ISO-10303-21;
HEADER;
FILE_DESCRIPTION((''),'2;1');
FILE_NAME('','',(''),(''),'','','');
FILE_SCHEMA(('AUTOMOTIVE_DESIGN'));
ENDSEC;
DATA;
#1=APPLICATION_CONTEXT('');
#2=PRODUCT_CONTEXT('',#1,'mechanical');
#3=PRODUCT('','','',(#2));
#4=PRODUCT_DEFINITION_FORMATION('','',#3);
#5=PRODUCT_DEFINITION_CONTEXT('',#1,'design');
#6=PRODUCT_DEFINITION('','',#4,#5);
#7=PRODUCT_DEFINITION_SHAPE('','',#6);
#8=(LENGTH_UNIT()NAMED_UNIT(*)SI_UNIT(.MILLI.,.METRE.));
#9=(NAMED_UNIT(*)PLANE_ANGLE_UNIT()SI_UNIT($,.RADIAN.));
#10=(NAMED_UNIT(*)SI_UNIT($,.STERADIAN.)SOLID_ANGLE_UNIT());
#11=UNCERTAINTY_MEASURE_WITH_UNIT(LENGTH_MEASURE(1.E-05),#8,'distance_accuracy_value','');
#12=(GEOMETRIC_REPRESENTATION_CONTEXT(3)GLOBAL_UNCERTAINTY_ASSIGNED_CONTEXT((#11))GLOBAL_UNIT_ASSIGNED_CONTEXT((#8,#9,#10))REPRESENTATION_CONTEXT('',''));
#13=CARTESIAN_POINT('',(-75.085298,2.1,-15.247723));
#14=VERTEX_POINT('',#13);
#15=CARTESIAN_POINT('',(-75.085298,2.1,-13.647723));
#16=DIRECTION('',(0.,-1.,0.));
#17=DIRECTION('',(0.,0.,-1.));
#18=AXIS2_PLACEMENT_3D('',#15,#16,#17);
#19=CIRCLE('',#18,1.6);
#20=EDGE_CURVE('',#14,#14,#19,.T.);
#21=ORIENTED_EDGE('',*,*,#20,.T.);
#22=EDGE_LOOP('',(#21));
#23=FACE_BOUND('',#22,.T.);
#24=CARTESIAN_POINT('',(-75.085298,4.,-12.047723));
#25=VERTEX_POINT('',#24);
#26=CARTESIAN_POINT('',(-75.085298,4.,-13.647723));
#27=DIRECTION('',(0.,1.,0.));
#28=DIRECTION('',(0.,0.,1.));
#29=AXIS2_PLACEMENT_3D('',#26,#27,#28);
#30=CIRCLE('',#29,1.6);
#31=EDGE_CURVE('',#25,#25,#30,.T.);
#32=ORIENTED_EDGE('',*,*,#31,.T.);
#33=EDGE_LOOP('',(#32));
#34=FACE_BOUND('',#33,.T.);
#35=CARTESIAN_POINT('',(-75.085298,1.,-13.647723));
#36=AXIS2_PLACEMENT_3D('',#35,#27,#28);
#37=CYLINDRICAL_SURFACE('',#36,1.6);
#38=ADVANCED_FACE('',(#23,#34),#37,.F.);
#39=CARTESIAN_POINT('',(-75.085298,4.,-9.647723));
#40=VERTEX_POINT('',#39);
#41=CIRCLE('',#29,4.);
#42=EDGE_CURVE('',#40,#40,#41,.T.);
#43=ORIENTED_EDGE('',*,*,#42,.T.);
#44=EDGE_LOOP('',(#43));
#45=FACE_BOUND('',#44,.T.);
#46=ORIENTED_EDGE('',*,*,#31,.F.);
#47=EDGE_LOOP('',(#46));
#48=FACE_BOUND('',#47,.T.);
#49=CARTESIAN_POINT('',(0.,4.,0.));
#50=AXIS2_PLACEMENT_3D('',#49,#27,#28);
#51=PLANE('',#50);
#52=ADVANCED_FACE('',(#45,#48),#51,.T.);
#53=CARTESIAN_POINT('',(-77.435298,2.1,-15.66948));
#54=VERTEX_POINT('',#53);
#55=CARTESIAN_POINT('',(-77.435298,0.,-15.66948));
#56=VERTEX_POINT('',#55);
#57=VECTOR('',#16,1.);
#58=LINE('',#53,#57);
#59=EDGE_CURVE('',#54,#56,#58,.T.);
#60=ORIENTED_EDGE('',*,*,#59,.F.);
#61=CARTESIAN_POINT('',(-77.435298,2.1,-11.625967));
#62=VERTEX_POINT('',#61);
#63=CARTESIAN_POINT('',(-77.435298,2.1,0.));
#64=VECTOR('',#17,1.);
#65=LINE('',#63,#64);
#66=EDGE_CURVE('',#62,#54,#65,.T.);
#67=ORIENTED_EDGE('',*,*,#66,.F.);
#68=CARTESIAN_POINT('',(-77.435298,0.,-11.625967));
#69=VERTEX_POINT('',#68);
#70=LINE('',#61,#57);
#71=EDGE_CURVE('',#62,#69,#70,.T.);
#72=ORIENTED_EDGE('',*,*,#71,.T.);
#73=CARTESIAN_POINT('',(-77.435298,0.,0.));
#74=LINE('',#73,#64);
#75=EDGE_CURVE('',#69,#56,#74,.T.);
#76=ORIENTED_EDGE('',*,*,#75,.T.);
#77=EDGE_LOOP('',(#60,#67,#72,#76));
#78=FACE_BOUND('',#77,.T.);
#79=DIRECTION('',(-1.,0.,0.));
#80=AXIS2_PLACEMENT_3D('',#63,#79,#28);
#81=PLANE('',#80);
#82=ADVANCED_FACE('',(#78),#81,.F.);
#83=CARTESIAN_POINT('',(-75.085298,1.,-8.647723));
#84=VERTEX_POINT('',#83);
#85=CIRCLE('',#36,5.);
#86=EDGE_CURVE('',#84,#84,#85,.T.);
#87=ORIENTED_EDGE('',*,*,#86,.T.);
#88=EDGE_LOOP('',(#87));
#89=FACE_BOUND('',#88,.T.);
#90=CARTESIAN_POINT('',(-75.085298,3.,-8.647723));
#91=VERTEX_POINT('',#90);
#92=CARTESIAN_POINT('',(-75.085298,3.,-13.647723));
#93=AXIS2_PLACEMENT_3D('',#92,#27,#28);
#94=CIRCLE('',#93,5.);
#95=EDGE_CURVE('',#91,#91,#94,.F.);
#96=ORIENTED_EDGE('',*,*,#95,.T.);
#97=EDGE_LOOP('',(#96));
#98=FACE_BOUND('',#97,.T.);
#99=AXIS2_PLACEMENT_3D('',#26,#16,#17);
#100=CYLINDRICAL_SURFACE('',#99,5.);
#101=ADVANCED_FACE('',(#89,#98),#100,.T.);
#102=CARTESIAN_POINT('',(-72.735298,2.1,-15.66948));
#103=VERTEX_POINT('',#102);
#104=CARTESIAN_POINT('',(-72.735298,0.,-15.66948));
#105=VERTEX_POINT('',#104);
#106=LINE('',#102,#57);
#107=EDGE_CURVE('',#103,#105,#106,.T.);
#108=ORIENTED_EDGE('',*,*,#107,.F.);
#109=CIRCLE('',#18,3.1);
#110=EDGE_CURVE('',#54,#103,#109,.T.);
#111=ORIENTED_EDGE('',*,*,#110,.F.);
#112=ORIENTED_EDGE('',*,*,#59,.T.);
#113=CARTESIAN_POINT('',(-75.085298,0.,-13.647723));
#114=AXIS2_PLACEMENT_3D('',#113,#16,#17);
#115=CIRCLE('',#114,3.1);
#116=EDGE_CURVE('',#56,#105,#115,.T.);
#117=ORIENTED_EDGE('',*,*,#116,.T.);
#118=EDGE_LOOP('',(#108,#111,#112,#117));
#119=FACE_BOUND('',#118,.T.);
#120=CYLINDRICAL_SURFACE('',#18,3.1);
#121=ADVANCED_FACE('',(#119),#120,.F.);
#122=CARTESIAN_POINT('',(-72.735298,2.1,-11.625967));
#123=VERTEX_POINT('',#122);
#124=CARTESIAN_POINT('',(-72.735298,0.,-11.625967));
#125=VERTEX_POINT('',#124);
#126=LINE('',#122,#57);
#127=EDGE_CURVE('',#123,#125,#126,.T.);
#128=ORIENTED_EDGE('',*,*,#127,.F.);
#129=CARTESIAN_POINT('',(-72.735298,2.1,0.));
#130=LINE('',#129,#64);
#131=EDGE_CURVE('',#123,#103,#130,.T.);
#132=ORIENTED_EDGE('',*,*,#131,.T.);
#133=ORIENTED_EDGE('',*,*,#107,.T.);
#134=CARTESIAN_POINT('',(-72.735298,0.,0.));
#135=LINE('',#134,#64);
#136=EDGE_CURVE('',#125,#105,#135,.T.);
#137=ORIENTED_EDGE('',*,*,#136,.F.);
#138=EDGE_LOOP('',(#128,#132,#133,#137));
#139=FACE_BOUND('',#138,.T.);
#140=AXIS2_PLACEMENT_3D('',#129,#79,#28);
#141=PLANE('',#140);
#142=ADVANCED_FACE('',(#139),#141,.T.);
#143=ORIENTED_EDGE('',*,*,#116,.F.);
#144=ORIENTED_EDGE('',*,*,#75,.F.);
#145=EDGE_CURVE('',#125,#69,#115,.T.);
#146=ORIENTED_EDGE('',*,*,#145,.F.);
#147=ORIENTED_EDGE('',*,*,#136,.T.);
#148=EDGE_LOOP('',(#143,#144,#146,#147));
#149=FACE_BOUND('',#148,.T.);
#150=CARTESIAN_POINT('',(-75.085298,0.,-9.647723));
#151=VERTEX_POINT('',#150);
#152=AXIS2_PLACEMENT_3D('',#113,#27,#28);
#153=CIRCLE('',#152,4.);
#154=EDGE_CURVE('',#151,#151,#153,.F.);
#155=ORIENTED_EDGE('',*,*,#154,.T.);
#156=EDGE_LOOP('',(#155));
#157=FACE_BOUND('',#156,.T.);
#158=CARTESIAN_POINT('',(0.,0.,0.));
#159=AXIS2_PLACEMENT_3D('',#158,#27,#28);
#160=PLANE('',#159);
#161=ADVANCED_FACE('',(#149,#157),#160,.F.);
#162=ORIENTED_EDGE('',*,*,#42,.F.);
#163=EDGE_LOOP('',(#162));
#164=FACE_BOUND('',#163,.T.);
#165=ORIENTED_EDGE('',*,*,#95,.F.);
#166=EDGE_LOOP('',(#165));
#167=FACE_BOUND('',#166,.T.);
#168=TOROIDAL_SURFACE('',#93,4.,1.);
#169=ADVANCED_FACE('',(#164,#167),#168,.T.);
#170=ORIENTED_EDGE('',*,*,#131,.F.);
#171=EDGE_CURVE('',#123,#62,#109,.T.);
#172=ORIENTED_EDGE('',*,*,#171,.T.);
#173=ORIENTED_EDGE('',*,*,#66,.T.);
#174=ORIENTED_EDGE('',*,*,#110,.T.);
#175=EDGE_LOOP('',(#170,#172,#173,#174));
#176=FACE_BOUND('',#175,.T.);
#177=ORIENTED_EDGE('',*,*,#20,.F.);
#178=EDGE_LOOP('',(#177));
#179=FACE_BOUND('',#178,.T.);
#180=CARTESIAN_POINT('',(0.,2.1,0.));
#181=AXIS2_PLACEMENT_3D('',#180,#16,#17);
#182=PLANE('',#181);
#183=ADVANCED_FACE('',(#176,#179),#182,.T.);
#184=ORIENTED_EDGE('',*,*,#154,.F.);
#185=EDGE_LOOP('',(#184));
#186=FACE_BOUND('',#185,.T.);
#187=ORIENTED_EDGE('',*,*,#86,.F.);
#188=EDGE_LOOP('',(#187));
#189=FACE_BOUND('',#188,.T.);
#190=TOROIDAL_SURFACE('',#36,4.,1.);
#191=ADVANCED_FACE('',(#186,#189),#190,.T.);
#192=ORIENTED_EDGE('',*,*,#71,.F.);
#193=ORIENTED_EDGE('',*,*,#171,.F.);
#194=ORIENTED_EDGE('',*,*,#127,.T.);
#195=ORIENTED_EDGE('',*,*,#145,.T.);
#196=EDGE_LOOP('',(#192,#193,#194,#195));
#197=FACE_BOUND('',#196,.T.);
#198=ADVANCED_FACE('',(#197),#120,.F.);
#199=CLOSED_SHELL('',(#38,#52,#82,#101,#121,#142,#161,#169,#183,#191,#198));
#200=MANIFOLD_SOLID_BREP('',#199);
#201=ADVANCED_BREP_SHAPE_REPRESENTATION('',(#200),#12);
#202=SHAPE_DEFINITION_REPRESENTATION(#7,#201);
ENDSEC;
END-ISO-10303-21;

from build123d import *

# Parameters (mm, degrees)
SKETCH_1_R          = 5
SKETCH_1_R_2        = 3.1
SKETCH_1_W          = 4.2
SKETCH_1_H          = 4.5607017
EXTRUDE_1_DEPTH     = 4
SKETCH_2_W          = 4.7
SKETCH_2_H          = 4.043513324
CUT_EXTRUDE_1_DEPTH = 2.1
SKETCH_3_R          = 1.6
CUT_EXTRUDE_2_DEPTH = 3
FILLET_1_R          = 1


with BuildPart() as part:
    # ｽｹｯﾁ1 → ﾎﾞｽ - 押し出し1 (new body)
    # profile 1 of 6: a face of its own
    with BuildSketch(Plane(origin=(0, 0, 0), x_dir=(1, 0, 0), z_dir=(0, 1, 0))):
        with Locations(Location((-75.085298438, 13.647723363, 0), (0, 0, 270))):
            Circle(SKETCH_1_R)
        with Locations((-75.085298438, 13.647723363)):
            Circle(SKETCH_1_R_2, mode=Mode.SUBTRACT)
    # profile 2 of 6: a face of its own
    with BuildSketch(Plane(origin=(0, 0, 0), x_dir=(1, 0, 0), z_dir=(0, 1, 0))):
        with BuildLine():
            ThreePointArc((-71.985298438, 13.647723363), (-72.246284525, 14.892713323), (-72.985298438, 15.928074213))
            Line((-72.985298438, 15.928074213), (-72.985298438, 11.367372513))
            ThreePointArc((-72.985298438, 11.367372513), (-72.246284525, 12.402733403), (-71.985298438, 13.647723363))
        make_face()
    # profile 3 of 6: a face of its own
    with BuildSketch(Plane(origin=(0, 0, 0), x_dir=(1, 0, 0), z_dir=(0, 1, 0))):
        with BuildLine():
            Line((-77.185298438, 11.367372513), (-77.185298438, 15.928074213))
            ThreePointArc((-77.185298438, 15.928074213), (-78.185298438, 13.647723363), (-77.185298438, 11.367372513))
        make_face()
    # profile 4 of 6: a face of its own
    with BuildSketch(Plane(origin=(0, 0, 0), x_dir=(1, 0, 0), z_dir=(0, 1, 0))):
        with BuildLine():
            ThreePointArc((-72.985298438, 15.928074213), (-75.085298438, 16.747723363), (-77.185298438, 15.928074213))
            Line((-77.185298438, 15.928074213), (-72.985298438, 15.928074213))
        make_face()
    # profile 5 of 6: a face of its own
    with BuildSketch(Plane(origin=(0, 0, 0), x_dir=(1, 0, 0), z_dir=(0, 1, 0))):
        with Locations((-75.085298438, 13.647723363)):
            Rectangle(SKETCH_1_W, SKETCH_1_H)
    # profile 6 of 6: a face of its own
    with BuildSketch(Plane(origin=(0, 0, 0), x_dir=(1, 0, 0), z_dir=(0, 1, 0))):
        with BuildLine():
            Line((-72.985298438, 11.367372513), (-77.185298438, 11.367372513))
            ThreePointArc((-77.185298438, 11.367372513), (-75.085298438, 10.547723363), (-72.985298438, 11.367372513))
        make_face()
    extrude(amount=EXTRUDE_1_DEPTH)

    # ｽｹｯﾁ2 → ｶｯﾄ - 押し出し1 (cut)
    with BuildSketch(Plane.XZ):
        with Locations((-75.085298438, -13.647723363)):
            Rectangle(SKETCH_2_W, SKETCH_2_H)
        with BuildLine():
            ThreePointArc((-72.735298438, -11.625966701), (-75.085298438, -10.547723363), (-77.435298438, -11.625966701))
            Line((-77.435298438, -11.625966701), (-72.735298438, -11.625966701))
        make_face()
        with BuildLine():
            Line((-72.735298438, -15.669480025), (-77.435298438, -15.669480025))
            ThreePointArc((-77.435298438, -15.669480025), (-75.085298438, -16.747723363), (-72.735298438, -15.669480025))
        make_face()
    extrude(amount=-CUT_EXTRUDE_1_DEPTH, mode=Mode.SUBTRACT)

    # ｽｹｯﾁ3 → ｶｯﾄ - 押し出し2 (cut)
    with BuildSketch(Plane(origin=(0, 4, 0), x_dir=(1, 0, 0), z_dir=(0, 1, 0))):
        with Locations(Location((-75.085298438, 13.647723363, 0), (0, 0, 270))):
            Circle(SKETCH_3_R)
    extrude(amount=-CUT_EXTRUDE_2_DEPTH, mode=Mode.SUBTRACT)

    # ﾌｨﾚｯﾄ1
    fillet_1_edges = [part.edges().sort_by_distance(p)[0] for p in [
        (-75.085298438, 0, -18.647723363),
        (-75.085298438, 4, -18.647723363),
    ]]
    fillet(fillet_1_edges, radius=FILLET_1_R)


solid = part.part
